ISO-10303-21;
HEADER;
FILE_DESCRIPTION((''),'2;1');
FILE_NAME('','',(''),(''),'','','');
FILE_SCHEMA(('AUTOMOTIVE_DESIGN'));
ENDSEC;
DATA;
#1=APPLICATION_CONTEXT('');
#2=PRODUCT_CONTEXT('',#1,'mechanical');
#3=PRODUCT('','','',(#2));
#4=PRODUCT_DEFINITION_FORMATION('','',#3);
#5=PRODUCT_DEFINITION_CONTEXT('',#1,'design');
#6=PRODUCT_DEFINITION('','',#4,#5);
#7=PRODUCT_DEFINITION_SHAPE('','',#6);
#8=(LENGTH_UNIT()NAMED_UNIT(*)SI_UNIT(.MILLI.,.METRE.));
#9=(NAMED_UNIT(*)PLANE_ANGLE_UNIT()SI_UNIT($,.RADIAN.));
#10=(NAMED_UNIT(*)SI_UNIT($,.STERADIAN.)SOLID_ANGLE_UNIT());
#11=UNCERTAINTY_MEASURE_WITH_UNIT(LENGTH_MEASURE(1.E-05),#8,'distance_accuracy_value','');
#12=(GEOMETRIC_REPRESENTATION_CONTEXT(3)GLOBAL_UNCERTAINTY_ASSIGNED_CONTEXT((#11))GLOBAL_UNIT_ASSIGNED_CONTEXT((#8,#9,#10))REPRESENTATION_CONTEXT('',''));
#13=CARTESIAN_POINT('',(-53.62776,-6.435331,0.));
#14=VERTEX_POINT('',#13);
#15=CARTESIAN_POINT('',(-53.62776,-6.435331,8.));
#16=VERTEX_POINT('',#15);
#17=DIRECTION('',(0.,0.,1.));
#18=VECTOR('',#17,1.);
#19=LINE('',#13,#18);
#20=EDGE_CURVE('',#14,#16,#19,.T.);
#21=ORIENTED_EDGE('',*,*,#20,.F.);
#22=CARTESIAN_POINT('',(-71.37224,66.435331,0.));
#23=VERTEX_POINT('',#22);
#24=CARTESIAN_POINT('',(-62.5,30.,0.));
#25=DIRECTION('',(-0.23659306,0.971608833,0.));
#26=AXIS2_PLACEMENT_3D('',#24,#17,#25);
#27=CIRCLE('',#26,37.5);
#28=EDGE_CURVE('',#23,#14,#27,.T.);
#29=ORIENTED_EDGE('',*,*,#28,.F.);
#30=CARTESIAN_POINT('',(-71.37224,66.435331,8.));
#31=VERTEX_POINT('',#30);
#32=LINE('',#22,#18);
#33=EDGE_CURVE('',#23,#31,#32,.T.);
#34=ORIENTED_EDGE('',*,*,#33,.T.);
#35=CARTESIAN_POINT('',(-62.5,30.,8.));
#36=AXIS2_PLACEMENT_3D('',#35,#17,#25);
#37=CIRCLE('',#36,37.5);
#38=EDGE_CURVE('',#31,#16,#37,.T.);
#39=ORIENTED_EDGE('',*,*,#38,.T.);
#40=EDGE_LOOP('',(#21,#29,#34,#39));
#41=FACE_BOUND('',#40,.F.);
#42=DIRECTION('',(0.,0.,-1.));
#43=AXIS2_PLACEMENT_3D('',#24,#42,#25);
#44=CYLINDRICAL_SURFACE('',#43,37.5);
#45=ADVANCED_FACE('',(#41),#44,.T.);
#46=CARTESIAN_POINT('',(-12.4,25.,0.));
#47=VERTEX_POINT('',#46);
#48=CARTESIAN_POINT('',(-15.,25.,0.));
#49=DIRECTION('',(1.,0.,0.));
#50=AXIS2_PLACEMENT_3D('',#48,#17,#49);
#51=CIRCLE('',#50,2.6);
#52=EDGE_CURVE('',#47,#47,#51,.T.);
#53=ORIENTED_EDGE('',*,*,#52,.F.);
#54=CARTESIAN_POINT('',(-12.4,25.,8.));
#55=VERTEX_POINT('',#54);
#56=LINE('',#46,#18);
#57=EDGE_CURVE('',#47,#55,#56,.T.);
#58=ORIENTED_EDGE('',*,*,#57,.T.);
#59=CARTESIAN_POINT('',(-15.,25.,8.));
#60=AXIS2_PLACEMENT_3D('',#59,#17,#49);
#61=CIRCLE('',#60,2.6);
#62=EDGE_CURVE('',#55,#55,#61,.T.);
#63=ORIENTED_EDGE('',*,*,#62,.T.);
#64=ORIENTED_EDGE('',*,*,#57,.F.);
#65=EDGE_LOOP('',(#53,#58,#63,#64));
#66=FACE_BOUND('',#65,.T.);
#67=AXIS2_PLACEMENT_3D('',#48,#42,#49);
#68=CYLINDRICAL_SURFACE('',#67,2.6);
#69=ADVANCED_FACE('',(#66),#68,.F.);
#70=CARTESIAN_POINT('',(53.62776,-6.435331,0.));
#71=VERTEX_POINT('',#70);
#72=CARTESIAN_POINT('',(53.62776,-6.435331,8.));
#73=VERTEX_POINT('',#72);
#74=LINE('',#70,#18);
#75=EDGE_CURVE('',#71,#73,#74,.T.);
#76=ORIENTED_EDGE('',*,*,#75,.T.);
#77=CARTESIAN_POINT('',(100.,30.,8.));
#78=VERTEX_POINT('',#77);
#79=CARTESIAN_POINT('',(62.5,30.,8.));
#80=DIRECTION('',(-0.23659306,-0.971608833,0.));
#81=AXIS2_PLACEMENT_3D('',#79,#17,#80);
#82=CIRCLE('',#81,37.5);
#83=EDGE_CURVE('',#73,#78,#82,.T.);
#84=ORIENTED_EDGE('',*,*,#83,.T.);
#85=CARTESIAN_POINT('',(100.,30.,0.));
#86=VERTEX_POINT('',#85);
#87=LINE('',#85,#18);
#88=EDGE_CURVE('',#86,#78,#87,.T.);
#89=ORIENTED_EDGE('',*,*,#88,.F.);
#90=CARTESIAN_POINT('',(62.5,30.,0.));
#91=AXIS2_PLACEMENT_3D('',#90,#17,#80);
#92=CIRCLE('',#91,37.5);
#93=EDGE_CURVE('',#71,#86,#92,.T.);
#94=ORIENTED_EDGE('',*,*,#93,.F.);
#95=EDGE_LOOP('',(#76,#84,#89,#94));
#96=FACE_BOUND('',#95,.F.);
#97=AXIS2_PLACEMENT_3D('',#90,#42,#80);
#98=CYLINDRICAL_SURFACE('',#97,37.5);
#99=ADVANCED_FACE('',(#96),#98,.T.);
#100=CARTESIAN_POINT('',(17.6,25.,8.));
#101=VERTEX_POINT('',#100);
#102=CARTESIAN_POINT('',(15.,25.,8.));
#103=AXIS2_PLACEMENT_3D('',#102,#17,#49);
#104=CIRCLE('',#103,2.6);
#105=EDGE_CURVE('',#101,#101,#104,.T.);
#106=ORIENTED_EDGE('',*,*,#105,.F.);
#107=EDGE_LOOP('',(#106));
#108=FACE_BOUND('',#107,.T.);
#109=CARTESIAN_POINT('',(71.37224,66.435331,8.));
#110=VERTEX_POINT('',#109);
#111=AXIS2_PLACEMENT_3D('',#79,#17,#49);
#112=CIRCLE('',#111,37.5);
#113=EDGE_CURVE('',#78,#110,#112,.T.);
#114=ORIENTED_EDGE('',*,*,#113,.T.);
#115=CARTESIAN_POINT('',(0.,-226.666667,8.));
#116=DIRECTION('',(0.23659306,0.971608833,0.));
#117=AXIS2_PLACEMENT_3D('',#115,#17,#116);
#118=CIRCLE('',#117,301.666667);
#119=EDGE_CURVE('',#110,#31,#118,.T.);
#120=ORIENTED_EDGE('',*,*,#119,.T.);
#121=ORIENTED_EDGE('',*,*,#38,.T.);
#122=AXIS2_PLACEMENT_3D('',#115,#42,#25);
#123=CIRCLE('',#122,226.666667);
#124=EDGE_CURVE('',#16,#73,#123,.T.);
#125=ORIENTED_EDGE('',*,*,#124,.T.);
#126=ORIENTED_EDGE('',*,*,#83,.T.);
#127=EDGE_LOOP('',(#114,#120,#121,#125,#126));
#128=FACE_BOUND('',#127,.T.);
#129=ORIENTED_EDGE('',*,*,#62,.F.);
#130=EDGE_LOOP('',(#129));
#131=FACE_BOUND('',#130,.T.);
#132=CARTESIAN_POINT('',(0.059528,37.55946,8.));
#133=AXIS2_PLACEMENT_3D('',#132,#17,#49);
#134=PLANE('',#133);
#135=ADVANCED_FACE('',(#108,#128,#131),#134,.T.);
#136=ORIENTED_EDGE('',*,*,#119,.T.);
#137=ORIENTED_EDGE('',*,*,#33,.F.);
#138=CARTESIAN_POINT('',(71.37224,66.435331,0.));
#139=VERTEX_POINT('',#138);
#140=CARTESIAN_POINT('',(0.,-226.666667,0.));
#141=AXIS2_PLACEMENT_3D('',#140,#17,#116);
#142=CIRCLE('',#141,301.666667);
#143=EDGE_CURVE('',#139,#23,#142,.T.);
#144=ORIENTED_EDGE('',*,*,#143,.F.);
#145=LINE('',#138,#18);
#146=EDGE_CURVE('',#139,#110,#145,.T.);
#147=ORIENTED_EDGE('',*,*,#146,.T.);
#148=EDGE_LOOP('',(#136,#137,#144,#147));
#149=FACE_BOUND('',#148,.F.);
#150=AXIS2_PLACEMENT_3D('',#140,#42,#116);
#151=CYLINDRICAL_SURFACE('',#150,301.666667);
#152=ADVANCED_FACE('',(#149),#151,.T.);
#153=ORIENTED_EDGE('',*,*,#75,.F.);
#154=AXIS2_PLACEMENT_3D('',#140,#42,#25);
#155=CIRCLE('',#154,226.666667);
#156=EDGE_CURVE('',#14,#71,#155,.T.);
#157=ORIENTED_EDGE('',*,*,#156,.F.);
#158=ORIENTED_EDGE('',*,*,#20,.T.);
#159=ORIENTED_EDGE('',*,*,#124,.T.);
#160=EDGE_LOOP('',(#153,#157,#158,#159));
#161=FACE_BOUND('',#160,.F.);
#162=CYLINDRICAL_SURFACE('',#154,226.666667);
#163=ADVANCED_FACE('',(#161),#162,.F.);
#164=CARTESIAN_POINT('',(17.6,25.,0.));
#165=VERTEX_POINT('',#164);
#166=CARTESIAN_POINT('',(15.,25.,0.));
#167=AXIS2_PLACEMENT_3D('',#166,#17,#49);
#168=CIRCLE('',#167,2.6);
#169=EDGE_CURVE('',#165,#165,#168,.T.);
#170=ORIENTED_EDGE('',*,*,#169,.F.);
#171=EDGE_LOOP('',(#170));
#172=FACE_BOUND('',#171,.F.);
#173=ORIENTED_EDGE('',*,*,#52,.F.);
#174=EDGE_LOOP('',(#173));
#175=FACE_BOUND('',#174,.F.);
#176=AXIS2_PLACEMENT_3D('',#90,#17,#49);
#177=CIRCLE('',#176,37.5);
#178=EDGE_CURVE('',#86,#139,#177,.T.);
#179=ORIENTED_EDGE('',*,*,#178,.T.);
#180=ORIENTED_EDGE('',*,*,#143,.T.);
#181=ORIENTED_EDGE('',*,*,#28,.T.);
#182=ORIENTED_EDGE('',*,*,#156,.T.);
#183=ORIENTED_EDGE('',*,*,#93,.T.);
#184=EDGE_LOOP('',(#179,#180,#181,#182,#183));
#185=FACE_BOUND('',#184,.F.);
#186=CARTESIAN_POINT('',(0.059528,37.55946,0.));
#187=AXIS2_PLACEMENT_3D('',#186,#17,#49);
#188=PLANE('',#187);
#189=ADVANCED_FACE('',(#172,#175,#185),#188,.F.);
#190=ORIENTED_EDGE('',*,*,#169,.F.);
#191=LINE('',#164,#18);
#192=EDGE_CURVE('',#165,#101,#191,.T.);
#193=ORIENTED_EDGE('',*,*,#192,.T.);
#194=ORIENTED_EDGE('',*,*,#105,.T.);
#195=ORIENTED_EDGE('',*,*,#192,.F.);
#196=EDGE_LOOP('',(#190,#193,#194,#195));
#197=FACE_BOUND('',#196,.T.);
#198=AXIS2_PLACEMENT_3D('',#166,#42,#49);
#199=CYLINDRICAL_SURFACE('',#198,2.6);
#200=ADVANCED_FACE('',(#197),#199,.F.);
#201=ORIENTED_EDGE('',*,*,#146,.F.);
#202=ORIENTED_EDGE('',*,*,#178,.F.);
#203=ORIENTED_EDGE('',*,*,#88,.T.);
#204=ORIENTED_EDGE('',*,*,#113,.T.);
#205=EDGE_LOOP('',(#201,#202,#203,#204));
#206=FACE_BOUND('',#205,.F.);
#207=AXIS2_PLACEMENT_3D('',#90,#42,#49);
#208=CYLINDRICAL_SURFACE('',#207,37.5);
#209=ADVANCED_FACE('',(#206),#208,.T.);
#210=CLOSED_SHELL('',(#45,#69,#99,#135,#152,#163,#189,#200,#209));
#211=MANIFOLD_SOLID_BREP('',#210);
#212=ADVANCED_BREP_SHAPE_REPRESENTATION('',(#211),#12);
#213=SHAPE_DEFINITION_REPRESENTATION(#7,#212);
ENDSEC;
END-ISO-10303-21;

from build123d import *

# Parameters (mm, degrees)
F1_R     = 2.6
F1_R_2   = 1.75
F2_DEPTH = 8


with BuildPart() as f2:
    # F1 (on Top) → F2 (new body)
    with BuildSketch(Plane.XY):
        with BuildLine():
            ThreePointArc((-71.3722397476, 66.4353312303), (-39.3316918026, 59.4869377058), (-25, 30))
            ThreePointArc((-25, 30), (-33.0130622942, 6.8316918026), (-53.6277602524, -6.4353312303))
            ThreePointArc((-53.6277602524, -6.4353312303), (0, 0), (53.6277602524, -6.4353312303))
            ThreePointArc((53.6277602524, -6.4353312303), (26.0646687697, 38.8722397476), (71.3722397476, 66.4353312303))
            ThreePointArc((71.3722397476, 66.4353312303), (0, 75), (-71.3722397476, 66.4353312303))
        make_face()
        with Locations((-15, 25)):
            Circle(F1_R, mode=Mode.SUBTRACT)
        with Locations((0, 25)):
            Circle(F1_R, mode=Mode.SUBTRACT)
        with Locations((15, 25)):
            Circle(F1_R, mode=Mode.SUBTRACT)
        with BuildLine():
            ThreePointArc((-53.6277602524, -6.4353312303), (-33.0130622942, 6.8316918026), (-25, 30))
            ThreePointArc((-25, 30), (-39.3316918026, 59.4869377058), (-71.3722397476, 66.4353312303))
            ThreePointArc((-71.3722397476, 66.4353312303), (-98.9353312303, 21.1277602524), (-53.6277602524, -6.4353312303))
        make_face()
        with Locations((-50, 20)):
            Circle(F1_R_2, mode=Mode.SUBTRACT)
        with BuildLine():
            ThreePointArc((100, 30), (91.9869377058, 53.1683081974), (71.3722397476, 66.4353312303))
            ThreePointArc((71.3722397476, 66.4353312303), (26.0646687697, 38.8722397476), (53.6277602524, -6.4353312303))
            ThreePointArc((53.6277602524, -6.4353312303), (85.6683081974, 0.5130622942), (100, 30))
        make_face()
        with Locations((50, 20)):
            Circle(F1_R_2, mode=Mode.SUBTRACT)
        with Locations((0, 25)):
            Circle(F1_R)
        with Locations((-50, 20)):
            Circle(F1_R_2)
        with Locations((50, 20)):
            Circle(F1_R_2)
    extrude(amount=F2_DEPTH)


solid = f2.part
